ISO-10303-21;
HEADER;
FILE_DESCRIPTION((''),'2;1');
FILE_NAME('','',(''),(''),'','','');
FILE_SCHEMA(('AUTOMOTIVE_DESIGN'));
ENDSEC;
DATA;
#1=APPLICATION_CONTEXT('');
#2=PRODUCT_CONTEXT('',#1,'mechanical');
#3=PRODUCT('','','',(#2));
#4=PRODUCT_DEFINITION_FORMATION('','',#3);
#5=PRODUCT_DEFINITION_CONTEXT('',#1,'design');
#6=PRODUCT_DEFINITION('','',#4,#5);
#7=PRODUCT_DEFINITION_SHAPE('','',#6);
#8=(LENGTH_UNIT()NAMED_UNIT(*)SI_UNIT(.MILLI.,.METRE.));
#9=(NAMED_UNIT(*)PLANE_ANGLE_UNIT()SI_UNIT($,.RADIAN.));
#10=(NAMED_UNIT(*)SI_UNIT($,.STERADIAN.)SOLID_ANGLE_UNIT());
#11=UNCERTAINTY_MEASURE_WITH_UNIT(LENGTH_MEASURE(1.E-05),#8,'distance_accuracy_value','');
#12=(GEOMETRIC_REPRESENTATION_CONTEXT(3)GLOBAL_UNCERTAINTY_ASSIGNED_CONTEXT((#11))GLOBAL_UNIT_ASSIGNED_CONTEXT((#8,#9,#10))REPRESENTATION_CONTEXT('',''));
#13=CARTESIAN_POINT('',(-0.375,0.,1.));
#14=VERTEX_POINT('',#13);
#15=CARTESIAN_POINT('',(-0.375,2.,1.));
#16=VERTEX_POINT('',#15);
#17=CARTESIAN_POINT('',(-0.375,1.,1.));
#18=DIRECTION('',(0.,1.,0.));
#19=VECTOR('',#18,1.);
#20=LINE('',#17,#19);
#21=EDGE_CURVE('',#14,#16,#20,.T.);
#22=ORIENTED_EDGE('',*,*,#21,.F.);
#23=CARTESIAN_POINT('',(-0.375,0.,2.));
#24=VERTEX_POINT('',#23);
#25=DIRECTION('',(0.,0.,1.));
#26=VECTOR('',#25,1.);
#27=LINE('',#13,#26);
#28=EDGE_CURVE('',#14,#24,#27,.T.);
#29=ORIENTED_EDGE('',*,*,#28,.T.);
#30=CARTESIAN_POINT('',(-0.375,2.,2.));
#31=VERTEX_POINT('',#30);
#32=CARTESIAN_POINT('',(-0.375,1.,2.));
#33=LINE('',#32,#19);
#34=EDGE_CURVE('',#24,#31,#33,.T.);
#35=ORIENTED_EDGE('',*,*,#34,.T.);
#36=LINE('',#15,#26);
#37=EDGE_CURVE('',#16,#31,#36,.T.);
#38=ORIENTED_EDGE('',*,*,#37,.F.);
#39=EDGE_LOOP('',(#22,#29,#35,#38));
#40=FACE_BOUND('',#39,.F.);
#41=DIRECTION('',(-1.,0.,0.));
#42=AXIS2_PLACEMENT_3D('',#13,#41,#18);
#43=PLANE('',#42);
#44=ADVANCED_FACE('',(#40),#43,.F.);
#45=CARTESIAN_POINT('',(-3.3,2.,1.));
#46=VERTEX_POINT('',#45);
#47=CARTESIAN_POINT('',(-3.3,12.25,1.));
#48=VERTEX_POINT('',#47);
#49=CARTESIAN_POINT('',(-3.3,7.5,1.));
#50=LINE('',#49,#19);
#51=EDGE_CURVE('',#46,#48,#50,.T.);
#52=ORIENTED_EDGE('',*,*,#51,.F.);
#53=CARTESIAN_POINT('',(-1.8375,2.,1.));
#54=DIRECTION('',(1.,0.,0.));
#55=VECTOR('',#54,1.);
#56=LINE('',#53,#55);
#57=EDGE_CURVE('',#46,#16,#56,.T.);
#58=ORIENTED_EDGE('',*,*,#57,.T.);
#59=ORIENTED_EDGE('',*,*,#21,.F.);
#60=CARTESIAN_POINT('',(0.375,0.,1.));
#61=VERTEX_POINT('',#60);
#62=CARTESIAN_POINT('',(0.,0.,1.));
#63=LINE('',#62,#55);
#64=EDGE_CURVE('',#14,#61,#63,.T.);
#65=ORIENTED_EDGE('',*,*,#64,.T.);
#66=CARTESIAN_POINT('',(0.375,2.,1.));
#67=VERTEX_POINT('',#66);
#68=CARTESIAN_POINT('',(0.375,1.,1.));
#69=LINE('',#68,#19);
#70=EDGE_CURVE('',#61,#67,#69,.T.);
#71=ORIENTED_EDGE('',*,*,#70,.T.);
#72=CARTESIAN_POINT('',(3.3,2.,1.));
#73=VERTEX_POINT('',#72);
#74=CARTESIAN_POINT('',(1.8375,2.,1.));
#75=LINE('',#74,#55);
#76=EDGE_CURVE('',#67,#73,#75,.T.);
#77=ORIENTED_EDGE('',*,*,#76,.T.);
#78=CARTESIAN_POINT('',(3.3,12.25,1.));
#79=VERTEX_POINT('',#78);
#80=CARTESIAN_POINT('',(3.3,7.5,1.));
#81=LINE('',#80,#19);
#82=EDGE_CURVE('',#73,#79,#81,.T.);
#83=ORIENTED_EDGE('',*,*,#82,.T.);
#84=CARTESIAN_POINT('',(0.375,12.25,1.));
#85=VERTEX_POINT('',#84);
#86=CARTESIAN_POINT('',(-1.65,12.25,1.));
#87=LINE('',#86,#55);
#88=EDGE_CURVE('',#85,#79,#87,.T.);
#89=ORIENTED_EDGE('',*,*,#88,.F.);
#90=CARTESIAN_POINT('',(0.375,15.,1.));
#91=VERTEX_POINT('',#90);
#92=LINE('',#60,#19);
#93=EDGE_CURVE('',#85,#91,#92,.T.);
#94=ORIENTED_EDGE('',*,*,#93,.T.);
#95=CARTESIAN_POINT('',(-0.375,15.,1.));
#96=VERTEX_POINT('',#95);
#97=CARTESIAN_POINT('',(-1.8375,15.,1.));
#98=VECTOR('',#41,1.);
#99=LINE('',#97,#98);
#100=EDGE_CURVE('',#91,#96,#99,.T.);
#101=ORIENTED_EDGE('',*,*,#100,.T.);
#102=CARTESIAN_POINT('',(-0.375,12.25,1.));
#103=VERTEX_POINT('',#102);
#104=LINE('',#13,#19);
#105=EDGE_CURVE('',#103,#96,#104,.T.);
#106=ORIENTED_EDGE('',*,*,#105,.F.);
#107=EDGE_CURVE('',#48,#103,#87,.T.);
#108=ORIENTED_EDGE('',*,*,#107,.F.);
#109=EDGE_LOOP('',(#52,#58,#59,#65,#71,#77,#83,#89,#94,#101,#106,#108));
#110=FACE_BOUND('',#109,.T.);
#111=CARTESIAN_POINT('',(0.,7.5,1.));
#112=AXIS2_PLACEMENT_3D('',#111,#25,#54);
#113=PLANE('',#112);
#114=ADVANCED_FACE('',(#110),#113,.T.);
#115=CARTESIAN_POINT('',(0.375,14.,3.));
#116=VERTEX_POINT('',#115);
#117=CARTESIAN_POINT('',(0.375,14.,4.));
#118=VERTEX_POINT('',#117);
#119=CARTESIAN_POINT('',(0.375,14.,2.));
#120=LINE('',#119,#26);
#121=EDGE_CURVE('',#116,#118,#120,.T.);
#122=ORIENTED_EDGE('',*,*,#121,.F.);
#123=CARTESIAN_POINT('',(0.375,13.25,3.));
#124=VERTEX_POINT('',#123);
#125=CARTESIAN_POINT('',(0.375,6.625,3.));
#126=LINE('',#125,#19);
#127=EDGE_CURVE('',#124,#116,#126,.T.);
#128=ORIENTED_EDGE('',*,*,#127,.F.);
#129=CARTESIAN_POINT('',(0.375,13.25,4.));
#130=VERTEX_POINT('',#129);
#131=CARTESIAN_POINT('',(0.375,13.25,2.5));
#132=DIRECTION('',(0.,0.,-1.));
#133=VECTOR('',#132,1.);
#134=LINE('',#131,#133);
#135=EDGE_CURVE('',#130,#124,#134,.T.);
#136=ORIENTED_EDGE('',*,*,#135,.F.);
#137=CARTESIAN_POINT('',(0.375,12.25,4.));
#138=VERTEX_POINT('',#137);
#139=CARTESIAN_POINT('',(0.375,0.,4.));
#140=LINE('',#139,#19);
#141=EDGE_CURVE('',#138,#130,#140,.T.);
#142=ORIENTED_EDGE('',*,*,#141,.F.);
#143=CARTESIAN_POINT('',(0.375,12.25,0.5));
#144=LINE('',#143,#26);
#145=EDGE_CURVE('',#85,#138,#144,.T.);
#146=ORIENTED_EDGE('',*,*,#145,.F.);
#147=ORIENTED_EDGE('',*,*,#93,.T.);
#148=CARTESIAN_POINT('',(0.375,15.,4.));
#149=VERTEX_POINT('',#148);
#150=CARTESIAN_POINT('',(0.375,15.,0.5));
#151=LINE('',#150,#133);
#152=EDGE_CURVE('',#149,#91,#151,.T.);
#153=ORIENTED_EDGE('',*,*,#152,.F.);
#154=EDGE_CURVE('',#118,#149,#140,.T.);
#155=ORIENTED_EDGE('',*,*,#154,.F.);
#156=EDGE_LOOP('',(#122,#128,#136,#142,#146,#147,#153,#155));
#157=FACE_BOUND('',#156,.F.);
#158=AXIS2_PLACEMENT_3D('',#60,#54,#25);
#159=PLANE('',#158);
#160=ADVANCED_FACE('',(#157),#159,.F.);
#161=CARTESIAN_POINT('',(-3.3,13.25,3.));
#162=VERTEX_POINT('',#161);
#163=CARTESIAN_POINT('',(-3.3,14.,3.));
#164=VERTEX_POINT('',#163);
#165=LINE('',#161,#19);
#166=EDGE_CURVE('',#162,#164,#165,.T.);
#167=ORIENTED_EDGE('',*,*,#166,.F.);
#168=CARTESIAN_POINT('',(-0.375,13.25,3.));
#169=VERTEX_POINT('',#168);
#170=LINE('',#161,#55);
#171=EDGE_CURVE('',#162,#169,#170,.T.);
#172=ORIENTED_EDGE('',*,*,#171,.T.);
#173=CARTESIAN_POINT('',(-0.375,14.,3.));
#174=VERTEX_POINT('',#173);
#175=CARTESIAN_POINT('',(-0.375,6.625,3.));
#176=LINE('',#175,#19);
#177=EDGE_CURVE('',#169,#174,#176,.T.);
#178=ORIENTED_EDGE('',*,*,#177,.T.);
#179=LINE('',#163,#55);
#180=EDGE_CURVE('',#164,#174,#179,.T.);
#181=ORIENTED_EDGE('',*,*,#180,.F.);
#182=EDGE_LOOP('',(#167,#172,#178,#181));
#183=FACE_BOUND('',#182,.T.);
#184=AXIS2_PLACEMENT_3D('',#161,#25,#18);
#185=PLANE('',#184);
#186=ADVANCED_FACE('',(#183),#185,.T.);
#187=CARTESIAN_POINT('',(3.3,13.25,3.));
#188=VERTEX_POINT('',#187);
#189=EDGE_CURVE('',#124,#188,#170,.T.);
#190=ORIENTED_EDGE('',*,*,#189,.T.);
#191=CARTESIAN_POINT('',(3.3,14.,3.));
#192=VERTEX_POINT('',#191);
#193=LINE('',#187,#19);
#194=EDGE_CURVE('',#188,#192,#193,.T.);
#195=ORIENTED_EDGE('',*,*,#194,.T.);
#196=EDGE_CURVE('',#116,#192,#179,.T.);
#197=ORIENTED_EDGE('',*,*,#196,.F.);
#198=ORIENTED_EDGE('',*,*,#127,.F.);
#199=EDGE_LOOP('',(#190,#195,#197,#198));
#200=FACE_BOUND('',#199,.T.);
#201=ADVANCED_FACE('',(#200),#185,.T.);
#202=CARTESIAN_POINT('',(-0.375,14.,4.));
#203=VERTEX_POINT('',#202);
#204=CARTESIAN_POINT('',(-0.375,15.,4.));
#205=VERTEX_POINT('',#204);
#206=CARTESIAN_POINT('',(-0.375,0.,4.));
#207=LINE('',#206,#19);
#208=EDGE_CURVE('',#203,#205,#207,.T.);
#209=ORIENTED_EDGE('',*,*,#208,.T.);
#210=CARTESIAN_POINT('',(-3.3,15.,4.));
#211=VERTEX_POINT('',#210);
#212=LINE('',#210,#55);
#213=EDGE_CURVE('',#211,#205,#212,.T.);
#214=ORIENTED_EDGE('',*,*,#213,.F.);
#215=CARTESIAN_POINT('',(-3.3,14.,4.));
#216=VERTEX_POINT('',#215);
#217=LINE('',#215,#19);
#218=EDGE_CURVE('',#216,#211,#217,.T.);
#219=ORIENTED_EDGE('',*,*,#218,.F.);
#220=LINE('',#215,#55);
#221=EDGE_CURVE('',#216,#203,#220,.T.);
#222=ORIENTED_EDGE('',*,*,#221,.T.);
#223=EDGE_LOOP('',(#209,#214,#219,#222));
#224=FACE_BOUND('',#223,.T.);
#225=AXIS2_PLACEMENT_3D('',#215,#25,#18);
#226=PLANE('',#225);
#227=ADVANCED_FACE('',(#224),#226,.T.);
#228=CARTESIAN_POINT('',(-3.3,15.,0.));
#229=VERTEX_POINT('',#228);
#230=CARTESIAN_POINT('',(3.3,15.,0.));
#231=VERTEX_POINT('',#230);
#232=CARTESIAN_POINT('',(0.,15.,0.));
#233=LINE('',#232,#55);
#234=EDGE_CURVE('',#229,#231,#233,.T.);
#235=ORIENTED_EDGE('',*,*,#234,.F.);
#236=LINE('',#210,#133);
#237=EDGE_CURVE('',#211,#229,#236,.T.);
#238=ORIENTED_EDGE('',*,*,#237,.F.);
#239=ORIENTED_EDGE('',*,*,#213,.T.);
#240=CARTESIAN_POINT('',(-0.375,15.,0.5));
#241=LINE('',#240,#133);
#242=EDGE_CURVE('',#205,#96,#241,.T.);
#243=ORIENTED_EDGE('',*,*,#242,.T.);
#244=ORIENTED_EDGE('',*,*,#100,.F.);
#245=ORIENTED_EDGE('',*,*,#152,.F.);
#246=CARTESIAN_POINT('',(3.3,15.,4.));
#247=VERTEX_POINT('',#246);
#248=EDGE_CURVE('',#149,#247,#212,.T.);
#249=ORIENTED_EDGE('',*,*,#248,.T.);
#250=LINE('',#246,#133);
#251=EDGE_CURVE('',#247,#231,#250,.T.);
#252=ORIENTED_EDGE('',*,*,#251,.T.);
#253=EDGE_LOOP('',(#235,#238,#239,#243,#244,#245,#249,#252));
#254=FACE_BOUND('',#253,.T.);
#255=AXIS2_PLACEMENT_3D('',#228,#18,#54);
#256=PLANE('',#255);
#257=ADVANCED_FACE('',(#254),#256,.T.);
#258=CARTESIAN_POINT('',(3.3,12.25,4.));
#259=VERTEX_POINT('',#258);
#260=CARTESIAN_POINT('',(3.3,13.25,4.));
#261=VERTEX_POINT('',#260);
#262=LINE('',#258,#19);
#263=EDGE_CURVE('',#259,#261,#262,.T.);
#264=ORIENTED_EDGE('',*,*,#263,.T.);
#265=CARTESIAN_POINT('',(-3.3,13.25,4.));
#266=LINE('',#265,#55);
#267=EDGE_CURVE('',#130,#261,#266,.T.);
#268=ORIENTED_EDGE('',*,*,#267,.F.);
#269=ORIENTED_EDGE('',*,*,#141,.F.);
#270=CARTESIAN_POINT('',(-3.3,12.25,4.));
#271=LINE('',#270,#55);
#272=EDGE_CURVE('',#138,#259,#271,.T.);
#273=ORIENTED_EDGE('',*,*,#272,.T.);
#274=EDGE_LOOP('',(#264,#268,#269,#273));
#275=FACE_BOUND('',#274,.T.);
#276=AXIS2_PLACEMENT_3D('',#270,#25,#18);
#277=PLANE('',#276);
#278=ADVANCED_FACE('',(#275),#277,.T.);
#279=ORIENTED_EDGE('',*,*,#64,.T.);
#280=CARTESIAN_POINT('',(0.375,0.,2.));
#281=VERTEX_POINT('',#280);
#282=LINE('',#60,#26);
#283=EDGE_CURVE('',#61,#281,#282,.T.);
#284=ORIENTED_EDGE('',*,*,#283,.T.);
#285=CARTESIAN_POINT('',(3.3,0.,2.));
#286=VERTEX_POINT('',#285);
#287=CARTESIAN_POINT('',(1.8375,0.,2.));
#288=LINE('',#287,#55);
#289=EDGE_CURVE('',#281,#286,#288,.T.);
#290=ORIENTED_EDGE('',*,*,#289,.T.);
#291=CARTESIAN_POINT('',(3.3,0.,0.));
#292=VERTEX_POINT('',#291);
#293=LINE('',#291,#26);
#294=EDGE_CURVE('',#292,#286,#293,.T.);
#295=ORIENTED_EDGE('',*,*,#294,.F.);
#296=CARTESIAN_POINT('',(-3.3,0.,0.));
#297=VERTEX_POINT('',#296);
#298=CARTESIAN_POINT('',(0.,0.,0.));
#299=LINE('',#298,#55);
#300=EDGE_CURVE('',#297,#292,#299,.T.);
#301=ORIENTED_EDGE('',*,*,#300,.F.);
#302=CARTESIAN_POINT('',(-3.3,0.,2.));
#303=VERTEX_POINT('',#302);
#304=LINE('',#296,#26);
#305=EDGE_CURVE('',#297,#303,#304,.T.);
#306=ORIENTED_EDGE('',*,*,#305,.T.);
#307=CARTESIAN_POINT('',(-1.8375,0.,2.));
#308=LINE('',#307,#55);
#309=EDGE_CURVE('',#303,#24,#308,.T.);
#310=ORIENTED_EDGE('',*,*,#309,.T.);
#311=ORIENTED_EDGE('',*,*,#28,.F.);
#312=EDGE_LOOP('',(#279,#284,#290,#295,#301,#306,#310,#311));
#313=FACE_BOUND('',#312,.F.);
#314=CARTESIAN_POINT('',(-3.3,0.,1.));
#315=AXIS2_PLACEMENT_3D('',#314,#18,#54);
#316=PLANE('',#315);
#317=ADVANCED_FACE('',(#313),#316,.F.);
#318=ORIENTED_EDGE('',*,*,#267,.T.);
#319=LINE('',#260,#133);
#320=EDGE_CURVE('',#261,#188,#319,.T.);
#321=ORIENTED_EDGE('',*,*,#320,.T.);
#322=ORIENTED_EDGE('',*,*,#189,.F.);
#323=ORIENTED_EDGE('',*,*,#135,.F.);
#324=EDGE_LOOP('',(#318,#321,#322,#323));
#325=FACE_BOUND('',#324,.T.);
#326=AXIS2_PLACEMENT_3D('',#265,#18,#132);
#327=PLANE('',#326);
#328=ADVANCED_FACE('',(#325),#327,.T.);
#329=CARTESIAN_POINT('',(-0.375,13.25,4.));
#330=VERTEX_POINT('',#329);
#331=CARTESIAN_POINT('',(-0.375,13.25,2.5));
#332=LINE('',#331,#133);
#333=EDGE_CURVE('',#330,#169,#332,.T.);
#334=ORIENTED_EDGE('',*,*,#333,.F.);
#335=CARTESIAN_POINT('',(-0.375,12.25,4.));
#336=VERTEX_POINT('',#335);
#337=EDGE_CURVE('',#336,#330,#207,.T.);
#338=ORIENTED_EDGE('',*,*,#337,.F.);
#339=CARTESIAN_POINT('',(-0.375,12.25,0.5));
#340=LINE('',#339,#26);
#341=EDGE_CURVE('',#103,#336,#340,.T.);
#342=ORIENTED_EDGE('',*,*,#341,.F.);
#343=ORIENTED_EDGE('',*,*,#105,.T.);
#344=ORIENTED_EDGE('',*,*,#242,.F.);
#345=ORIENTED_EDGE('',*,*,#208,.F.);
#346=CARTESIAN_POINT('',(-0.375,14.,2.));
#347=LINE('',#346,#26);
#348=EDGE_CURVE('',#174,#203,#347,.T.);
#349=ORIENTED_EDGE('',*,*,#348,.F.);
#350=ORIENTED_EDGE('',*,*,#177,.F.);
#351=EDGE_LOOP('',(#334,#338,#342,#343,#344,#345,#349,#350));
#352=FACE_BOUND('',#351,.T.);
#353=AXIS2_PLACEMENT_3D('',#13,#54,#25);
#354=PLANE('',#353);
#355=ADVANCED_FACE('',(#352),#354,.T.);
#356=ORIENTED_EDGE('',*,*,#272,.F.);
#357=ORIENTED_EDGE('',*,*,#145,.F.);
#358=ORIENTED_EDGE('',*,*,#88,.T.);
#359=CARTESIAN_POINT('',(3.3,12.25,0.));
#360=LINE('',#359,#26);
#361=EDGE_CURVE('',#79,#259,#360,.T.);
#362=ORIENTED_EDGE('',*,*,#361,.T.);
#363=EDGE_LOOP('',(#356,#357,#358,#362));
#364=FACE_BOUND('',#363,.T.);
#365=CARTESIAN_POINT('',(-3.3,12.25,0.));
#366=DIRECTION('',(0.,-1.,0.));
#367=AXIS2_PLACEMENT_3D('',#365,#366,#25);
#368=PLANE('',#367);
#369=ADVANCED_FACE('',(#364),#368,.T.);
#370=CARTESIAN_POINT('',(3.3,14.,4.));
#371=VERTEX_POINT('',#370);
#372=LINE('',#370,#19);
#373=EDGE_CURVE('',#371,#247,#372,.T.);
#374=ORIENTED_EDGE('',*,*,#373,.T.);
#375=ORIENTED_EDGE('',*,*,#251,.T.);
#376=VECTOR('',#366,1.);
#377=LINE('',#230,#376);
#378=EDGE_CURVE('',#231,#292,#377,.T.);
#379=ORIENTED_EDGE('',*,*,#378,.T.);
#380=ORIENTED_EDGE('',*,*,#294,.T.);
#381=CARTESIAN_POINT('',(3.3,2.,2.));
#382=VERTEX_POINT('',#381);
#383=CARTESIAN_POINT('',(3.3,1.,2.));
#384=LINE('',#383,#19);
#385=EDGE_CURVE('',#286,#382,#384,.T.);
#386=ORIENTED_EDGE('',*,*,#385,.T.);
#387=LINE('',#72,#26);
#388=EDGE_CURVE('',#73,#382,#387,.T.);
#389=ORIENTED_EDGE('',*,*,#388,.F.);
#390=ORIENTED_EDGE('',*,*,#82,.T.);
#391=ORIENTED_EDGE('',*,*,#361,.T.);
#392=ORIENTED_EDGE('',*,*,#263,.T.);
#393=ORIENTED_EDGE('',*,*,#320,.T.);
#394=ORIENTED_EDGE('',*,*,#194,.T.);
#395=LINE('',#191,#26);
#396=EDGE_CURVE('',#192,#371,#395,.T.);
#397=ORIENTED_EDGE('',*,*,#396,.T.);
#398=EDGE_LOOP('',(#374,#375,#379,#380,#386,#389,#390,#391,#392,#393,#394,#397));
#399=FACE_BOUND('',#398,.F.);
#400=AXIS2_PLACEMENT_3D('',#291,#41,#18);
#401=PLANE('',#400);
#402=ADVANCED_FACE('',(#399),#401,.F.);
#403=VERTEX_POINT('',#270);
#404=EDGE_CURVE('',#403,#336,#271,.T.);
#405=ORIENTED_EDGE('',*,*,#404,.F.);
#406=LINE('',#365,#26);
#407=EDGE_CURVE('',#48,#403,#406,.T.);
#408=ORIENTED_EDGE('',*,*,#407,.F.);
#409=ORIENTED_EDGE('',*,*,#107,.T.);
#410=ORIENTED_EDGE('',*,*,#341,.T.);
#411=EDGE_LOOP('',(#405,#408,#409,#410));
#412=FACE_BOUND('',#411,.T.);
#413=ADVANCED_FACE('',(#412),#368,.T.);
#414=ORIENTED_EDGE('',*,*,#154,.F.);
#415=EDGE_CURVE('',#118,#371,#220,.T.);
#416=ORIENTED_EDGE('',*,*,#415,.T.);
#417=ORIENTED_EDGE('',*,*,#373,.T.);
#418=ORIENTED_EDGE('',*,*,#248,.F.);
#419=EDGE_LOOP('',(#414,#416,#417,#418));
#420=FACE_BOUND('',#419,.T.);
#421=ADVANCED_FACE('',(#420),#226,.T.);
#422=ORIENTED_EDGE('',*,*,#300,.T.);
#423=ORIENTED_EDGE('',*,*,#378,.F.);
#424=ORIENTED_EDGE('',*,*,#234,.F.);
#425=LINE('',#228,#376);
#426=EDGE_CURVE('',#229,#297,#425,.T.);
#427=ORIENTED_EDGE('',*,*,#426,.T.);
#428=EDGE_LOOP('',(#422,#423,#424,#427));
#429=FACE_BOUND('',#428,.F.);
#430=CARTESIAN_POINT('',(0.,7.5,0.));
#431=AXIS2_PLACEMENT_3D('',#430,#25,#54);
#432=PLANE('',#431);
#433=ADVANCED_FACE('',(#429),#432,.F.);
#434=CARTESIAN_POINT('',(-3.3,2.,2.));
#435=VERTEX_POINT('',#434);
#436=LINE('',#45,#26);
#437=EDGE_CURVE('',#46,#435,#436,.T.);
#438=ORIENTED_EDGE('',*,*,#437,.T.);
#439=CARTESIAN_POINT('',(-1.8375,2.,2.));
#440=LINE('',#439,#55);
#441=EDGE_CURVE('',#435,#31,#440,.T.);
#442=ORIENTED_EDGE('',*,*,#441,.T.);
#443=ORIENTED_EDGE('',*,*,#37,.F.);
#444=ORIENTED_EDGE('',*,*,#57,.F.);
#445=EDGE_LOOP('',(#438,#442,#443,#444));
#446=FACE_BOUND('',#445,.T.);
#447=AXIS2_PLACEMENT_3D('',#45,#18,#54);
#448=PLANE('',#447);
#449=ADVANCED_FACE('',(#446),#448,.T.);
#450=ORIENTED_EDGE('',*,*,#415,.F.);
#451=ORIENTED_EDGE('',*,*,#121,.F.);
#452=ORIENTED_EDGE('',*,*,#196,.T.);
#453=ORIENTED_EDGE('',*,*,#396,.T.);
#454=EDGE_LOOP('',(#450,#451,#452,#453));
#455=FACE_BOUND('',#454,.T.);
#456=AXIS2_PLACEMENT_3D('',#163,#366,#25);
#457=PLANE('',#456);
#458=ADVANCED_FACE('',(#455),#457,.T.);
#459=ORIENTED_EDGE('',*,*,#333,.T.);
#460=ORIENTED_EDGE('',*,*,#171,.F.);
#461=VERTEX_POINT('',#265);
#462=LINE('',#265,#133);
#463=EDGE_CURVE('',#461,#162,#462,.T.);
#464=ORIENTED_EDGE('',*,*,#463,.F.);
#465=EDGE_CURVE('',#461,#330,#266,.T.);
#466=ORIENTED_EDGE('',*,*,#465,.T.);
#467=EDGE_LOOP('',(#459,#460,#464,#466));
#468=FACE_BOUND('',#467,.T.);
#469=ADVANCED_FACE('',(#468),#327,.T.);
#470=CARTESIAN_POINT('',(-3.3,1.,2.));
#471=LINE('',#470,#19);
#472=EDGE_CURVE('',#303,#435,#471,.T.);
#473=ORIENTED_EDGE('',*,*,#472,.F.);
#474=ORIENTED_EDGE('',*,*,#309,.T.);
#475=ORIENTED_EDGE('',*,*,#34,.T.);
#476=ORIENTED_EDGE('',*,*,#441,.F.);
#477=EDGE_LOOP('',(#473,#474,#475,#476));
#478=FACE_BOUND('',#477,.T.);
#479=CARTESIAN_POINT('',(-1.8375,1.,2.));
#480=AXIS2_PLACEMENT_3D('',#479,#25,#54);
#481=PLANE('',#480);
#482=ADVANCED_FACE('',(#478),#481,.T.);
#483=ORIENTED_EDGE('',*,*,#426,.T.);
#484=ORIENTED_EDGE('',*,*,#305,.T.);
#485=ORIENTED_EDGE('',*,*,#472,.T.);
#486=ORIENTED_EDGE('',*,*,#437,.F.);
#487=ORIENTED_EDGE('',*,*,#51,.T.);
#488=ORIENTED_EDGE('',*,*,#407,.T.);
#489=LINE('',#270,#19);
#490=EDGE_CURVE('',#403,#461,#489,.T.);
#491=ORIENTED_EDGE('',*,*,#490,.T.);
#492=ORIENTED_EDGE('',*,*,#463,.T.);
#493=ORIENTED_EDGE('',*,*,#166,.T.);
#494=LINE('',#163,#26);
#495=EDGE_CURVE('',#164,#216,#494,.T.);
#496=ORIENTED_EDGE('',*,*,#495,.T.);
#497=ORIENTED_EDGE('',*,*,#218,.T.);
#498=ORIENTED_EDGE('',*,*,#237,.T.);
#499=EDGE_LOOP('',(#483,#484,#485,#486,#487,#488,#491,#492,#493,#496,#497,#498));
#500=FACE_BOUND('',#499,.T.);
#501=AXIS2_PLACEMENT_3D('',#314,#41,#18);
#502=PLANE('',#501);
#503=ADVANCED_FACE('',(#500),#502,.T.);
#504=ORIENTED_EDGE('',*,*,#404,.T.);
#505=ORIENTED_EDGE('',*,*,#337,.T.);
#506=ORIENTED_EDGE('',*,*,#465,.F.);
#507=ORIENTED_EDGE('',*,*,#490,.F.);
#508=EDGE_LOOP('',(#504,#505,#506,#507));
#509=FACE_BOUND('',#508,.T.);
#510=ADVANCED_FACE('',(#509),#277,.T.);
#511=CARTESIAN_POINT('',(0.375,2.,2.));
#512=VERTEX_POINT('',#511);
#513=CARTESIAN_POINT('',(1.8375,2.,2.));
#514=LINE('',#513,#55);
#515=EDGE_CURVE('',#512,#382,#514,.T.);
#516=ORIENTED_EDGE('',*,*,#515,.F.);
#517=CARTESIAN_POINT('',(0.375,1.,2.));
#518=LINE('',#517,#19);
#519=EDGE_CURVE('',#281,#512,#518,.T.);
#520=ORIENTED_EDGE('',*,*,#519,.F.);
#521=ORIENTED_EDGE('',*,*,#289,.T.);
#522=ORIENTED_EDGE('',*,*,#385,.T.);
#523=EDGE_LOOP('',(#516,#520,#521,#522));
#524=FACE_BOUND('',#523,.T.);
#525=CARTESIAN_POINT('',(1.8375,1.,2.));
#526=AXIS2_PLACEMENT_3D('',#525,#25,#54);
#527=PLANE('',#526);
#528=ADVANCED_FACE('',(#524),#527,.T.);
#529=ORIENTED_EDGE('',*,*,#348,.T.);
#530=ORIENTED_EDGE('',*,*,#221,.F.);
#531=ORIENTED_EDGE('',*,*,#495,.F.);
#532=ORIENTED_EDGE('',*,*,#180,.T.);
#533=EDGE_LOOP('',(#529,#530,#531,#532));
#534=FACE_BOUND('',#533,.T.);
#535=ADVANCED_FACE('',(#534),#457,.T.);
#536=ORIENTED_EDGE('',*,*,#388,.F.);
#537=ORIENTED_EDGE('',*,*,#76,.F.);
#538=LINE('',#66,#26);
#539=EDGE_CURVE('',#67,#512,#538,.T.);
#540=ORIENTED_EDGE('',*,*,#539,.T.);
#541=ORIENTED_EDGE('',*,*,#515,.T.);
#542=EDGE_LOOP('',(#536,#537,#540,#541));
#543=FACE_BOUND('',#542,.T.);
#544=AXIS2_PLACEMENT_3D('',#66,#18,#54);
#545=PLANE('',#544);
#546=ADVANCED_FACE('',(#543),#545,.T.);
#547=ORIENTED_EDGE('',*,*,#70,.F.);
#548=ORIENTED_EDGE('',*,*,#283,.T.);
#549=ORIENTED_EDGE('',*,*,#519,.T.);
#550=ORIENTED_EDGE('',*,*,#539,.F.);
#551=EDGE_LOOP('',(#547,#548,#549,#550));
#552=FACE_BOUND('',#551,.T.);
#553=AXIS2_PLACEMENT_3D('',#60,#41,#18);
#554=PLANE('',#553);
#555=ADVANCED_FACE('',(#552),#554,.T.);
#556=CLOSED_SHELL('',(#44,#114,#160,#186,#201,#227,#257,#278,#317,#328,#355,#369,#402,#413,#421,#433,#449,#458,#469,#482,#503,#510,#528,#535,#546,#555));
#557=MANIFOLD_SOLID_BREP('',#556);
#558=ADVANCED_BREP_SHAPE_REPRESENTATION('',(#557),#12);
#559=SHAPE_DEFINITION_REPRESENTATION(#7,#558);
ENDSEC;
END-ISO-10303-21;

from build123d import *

# Parameters (mm, degrees)
SKETCH_W     = 6.6
SKETCH_H     = 15
PAD_DEPTH    = 1
SKETCH001_W  = 2.925
SKETCH001_H  = 2
PAD001_DEPTH = 1
PAD002_DEPTH = 6.6
SKETCH003_W  = 0.75
SKETCH003_H  = 3
POCKET_DEPTH = 15.001


with BuildPart() as part:
    # Sketch → Pad (new body)
    with BuildSketch(Plane.XY):
        with Locations((0, 7.5)):
            Rectangle(SKETCH_W, SKETCH_H)
    extrude(amount=PAD_DEPTH)

    # Sketch001 → Pad001 (new body)
    with BuildSketch(Plane.XY.offset(1)):
        with Locations((-1.8375, 1)):
            Rectangle(SKETCH001_W, SKETCH001_H)
        with Locations((1.8375, 1)):
            Rectangle(SKETCH001_W, SKETCH001_H)
    extrude(amount=PAD001_DEPTH)

    # Sketch002 → Pad002 (new body)
    with BuildSketch(Plane(origin=(-3.3, 0, 0), x_dir=(0, -1, 0), z_dir=(-1, 0, 0))):
        Polygon((-15, 0), (-12.25, 0), (-12.25, 4), (-13.25, 4), (-13.25, 3), (-14, 3), (-14, 4), (-15, 4), align=None)
    extrude(amount=-PAD002_DEPTH)

    # Sketch003 → Pocket (cut, through all)
    with BuildSketch(Plane.XZ):
        with Locations((0, 2.5)):
            Rectangle(SKETCH003_W, SKETCH003_H)
    extrude(amount=-POCKET_DEPTH, mode=Mode.SUBTRACT)


solid = part.part
